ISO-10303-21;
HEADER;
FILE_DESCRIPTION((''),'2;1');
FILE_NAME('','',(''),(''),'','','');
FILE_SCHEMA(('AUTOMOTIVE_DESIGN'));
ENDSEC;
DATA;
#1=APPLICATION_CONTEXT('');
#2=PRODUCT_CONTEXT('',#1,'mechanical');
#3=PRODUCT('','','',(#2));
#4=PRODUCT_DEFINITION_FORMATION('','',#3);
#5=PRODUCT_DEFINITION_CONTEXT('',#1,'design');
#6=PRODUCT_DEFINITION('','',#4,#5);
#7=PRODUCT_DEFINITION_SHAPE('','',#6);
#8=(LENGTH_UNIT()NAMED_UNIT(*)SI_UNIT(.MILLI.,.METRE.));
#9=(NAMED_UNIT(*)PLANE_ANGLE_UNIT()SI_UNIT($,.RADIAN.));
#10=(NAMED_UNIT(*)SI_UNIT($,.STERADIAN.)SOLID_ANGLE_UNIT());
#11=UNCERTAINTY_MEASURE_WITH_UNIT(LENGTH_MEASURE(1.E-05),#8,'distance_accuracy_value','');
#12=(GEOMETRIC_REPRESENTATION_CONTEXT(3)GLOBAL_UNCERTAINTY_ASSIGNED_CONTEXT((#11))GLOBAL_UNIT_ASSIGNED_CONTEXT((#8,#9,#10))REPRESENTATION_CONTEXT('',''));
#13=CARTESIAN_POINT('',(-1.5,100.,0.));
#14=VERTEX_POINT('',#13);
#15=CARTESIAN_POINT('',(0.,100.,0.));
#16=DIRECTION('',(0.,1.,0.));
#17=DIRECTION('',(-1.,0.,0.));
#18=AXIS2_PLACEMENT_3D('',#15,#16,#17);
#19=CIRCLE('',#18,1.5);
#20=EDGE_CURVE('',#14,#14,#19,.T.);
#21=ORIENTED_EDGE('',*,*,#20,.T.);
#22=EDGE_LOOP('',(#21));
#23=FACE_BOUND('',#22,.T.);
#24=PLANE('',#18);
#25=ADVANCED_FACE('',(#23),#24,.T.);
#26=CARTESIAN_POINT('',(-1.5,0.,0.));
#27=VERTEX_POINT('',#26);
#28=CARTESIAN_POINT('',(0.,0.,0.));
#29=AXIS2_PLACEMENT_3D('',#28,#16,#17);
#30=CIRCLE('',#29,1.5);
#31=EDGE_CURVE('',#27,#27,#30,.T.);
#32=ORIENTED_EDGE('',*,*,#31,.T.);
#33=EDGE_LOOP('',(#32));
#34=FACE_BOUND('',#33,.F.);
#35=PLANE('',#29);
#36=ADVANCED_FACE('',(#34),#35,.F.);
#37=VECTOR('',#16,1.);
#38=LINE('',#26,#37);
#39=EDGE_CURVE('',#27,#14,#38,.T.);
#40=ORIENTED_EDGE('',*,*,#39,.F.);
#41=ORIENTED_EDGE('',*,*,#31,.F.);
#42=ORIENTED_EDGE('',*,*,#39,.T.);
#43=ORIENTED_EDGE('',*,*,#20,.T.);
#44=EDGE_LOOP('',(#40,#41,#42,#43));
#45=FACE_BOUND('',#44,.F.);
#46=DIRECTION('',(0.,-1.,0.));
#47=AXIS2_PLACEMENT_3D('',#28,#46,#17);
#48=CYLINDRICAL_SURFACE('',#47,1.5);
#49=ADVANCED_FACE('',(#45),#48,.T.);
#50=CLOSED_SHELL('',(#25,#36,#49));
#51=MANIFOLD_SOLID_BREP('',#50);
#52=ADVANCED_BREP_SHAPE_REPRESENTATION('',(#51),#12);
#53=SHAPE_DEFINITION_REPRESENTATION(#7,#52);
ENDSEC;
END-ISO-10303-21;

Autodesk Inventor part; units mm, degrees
ref_plane "YZ Plane" through (0, 0, 0) normal (1, 0, 0) x (0, 1, 0)
ref_plane "XZ Plane" through (0, 0, 0) normal (0, 1, 0) x (-1, 0, 0)
ref_plane "XY Plane" through (0, 0, 0) normal (0, 0, 1) x (1, 0, 0)
sketch "Sketch1" plane through (0, 0, 0) normal (0, 1, 0) x (-1, 0, 0)
  circle A0 centre (0, 0) radius 1.5
  dimension "d0" = 3
extrude "Extrusion1" add sketch "Sketch1" along normal blind 100
properties part number "HELP_ROD_D3x100"
